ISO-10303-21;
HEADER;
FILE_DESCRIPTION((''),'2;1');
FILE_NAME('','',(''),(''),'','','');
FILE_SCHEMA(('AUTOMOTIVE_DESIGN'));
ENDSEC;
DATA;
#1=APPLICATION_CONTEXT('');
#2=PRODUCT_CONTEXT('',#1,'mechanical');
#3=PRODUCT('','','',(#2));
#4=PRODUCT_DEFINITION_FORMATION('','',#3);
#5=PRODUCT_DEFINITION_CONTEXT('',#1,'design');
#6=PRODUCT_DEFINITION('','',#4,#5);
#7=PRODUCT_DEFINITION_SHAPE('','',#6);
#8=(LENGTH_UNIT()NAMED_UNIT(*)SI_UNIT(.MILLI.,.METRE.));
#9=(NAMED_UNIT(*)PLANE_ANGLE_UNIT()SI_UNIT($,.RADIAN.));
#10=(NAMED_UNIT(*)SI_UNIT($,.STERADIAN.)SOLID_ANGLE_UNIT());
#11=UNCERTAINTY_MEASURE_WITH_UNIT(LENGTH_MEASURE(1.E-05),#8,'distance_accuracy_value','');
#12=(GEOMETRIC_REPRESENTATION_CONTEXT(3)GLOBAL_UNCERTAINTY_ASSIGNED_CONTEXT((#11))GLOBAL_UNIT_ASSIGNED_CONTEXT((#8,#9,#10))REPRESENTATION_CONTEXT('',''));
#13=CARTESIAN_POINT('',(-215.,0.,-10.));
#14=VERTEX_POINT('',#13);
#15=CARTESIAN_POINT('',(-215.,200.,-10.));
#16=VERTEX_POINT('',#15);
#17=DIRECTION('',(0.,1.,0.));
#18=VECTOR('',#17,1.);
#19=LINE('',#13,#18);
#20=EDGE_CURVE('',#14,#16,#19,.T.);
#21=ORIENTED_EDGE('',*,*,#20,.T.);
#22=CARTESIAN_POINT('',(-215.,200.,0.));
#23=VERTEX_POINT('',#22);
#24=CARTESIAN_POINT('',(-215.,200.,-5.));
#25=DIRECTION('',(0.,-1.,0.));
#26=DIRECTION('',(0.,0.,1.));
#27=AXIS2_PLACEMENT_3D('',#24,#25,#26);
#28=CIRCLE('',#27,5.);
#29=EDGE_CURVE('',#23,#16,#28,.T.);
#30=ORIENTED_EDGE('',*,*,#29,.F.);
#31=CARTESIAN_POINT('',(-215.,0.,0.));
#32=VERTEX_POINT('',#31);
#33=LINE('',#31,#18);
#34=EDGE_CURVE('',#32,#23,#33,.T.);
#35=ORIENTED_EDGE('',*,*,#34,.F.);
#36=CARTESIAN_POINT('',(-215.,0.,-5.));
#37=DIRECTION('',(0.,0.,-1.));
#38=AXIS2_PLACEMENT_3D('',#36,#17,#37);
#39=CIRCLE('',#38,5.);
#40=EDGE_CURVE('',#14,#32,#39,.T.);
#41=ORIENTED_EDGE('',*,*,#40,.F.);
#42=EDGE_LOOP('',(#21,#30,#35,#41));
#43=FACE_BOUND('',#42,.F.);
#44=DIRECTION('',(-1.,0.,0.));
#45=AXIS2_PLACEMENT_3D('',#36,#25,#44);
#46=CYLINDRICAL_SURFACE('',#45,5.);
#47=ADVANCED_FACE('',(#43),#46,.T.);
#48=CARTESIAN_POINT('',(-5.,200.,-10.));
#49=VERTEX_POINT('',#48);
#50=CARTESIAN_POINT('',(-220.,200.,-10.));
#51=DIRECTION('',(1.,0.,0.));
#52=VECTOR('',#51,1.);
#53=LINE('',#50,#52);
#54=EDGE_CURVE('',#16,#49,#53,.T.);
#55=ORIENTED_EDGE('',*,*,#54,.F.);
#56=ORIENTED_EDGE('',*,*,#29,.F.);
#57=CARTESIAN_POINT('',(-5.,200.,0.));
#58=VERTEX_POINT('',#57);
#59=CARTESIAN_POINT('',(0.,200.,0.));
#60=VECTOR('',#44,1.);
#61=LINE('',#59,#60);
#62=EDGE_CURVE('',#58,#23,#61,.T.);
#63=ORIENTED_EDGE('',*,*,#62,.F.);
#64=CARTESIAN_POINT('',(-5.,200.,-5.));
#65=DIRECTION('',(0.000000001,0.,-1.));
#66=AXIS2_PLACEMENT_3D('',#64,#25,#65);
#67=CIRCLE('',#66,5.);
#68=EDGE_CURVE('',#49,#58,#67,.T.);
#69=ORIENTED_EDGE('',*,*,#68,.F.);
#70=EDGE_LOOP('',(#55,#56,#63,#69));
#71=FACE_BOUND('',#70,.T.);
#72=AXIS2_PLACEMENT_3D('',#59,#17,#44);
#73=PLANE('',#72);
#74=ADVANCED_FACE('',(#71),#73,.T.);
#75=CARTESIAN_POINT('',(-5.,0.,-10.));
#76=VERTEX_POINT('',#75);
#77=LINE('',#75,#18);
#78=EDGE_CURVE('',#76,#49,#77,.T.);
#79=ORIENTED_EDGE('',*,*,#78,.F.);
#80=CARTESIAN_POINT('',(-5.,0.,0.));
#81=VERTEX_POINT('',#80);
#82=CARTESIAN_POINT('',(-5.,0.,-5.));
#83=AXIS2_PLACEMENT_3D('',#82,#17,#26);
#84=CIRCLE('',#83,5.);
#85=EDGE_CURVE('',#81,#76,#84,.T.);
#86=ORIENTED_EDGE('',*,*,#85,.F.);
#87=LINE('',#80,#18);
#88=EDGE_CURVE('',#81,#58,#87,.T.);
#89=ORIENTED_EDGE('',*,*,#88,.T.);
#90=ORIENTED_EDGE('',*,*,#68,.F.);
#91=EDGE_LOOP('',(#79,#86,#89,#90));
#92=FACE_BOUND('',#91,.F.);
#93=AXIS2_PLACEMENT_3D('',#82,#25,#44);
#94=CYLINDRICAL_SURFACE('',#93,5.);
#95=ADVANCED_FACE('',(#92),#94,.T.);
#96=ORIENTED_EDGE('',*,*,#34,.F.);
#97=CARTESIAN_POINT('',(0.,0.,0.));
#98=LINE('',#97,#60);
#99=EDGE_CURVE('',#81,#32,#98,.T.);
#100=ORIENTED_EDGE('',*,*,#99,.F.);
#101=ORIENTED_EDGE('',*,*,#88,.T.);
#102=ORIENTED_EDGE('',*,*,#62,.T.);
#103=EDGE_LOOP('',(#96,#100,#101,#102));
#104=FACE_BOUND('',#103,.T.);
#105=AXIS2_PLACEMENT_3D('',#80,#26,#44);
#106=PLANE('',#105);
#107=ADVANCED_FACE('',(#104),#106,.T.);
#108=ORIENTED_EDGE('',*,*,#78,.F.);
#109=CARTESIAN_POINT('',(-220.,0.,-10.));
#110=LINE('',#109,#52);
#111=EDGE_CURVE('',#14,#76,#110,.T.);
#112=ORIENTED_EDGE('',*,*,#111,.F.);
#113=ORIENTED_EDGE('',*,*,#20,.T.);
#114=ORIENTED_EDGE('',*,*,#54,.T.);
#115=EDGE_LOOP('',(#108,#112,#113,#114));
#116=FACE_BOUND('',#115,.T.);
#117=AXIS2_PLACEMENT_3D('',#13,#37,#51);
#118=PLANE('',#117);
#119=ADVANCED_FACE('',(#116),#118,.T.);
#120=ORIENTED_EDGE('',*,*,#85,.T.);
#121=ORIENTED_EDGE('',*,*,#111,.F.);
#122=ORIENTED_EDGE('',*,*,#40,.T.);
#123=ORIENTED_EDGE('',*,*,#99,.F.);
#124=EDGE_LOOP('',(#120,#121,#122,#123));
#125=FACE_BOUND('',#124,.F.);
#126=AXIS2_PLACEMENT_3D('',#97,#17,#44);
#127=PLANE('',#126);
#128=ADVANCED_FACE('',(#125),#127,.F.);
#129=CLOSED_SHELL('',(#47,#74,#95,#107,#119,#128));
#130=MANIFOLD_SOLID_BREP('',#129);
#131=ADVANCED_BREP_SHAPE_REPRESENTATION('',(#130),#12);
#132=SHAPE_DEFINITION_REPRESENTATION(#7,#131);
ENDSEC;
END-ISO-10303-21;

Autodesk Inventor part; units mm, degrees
ref_plane "YZ Plane" through (0, 0, 0) normal (1, 0, 0) x (0, 1, 0)
ref_plane "XZ Plane" through (0, 0, 0) normal (0, 1, 0) x (-1, 0, 0)
ref_plane "XY Plane" through (0, 0, 0) normal (0, 0, 1) x (1, 0, 0)
sketch "Skizze1" plane through (0, 0, 0) normal (0, 1, 0) x (-1, 0, 0)
  line L0 (0, 0) -> (220, 0)
  line L1 (220, 0) -> (220, -10)
  line L2 (220, -10) -> (0, -10)
  line L3 (0, -10) -> (0, 0)
  circle A0 centre (5, -5) radius 5
  circle A1 centre (215, -5) radius 5
  point P0 (5, -10)
  point P1 (215, -10)
  point P2 (215, 0)
  point P3 (5, 0)
  dimension "d0" = 220
  dimension "d1" = 10
extrude "Extrusion1" add sketch "Skizze1" along normal blind 200 contours L0 A1 L2 A0 | A0 | A1
equation "\"d0\" = nutlange + radius"
equation "\"nutlange\" = 210"
equation "\"radius\" = 10"
properties part number "Schaufelplatten" material "PVC, hart"
